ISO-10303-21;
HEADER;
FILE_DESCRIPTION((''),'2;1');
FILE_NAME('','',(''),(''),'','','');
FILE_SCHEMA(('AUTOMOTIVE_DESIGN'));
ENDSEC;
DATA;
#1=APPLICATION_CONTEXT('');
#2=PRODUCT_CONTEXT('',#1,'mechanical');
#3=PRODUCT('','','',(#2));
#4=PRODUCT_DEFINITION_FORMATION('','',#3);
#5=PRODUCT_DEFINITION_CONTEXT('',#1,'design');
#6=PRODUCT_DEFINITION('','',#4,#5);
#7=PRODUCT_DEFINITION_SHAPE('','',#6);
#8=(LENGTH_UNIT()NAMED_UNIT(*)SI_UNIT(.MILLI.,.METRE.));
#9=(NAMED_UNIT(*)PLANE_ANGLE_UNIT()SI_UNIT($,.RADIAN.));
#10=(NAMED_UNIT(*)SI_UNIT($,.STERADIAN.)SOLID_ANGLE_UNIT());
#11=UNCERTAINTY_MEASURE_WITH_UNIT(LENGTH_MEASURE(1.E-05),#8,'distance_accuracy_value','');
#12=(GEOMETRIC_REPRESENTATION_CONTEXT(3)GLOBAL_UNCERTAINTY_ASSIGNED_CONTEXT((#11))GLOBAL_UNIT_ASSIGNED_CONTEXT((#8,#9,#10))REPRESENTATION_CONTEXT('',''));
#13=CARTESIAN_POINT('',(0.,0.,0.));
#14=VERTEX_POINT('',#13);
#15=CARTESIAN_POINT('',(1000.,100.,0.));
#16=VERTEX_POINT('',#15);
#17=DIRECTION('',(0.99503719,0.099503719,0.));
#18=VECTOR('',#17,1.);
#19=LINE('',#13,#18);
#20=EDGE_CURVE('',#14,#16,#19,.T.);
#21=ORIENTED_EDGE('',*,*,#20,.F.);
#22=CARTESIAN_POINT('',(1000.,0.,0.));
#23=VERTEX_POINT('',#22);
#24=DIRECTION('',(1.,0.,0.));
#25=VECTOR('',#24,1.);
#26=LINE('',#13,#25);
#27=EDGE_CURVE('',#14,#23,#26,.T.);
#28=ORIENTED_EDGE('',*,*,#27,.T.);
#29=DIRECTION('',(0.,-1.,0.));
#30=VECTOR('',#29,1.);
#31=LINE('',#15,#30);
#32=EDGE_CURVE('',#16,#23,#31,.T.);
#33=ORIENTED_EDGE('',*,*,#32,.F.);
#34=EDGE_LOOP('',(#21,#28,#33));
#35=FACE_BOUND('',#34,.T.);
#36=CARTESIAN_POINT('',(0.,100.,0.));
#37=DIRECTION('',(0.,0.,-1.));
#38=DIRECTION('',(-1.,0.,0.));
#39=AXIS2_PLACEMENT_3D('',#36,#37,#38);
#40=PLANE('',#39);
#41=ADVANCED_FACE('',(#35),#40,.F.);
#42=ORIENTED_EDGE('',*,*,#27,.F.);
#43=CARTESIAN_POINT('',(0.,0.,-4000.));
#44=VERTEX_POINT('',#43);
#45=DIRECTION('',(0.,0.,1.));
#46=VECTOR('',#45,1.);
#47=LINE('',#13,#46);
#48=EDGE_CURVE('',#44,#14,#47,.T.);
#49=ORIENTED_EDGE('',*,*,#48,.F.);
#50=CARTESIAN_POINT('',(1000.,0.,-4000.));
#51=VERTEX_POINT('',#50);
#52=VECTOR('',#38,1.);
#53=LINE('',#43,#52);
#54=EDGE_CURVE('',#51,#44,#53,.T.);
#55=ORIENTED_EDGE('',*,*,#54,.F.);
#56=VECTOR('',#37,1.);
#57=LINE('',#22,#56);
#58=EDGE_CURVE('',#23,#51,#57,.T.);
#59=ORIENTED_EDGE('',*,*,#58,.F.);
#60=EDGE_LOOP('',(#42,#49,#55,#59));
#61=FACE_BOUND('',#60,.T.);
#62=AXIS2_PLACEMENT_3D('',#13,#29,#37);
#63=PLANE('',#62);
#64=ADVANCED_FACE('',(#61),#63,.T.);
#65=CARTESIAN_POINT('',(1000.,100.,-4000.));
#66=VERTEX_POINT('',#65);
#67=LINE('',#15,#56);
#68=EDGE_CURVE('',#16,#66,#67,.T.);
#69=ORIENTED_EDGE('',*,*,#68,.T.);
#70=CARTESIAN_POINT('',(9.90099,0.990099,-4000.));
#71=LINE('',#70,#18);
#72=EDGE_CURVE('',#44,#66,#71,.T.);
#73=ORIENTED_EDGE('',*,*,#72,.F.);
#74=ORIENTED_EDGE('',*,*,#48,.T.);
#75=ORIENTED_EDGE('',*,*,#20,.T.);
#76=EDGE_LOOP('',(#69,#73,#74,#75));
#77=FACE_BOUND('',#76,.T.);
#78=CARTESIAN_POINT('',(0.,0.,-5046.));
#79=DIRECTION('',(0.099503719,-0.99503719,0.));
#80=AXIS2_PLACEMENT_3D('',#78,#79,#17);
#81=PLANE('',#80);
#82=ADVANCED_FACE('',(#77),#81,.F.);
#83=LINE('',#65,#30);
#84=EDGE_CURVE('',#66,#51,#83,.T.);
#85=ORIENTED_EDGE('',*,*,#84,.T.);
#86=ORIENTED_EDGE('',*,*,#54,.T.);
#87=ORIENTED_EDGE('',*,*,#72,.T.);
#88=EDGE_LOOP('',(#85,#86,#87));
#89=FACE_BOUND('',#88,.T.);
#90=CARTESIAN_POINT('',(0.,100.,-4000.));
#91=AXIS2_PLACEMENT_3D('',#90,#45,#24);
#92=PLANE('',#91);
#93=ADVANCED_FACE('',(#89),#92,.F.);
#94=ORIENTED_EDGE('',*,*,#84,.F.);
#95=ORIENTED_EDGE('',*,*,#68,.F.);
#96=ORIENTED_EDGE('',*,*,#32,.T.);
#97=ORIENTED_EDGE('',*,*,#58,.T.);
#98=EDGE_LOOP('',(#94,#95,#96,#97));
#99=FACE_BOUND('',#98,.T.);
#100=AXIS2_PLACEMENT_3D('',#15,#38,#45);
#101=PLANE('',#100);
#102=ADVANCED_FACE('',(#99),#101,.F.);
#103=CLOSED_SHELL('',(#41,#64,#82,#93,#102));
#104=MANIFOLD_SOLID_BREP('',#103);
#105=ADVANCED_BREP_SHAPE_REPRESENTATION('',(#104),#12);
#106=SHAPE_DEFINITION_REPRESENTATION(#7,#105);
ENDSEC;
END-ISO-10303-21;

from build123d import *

# Parameters (mm, degrees)
SKETCH1_W           = 1000
SKETCH1_H           = 4000
BOSS_EXTRUDE1_DEPTH = 100
CUT_EXTRUDE1_DEPTH  = 5046


with BuildPart() as part:
    # Sketch1 → Boss-Extrude1 (new body)
    with BuildSketch(Plane(origin=(0, 0, 0), x_dir=(1, 0, 0), z_dir=(0, 1, 0))):
        with Locations((500, 2000)):
            Rectangle(SKETCH1_W, SKETCH1_H)
    extrude(amount=BOSS_EXTRUDE1_DEPTH)

    # Sketch2 → Cut-Extrude1 (cut)
    with BuildSketch(Plane.XY):
        Polygon((0, 0), (1000, 100), (0, 100), align=None)
    extrude(amount=-CUT_EXTRUDE1_DEPTH, mode=Mode.SUBTRACT)


solid = part.part
